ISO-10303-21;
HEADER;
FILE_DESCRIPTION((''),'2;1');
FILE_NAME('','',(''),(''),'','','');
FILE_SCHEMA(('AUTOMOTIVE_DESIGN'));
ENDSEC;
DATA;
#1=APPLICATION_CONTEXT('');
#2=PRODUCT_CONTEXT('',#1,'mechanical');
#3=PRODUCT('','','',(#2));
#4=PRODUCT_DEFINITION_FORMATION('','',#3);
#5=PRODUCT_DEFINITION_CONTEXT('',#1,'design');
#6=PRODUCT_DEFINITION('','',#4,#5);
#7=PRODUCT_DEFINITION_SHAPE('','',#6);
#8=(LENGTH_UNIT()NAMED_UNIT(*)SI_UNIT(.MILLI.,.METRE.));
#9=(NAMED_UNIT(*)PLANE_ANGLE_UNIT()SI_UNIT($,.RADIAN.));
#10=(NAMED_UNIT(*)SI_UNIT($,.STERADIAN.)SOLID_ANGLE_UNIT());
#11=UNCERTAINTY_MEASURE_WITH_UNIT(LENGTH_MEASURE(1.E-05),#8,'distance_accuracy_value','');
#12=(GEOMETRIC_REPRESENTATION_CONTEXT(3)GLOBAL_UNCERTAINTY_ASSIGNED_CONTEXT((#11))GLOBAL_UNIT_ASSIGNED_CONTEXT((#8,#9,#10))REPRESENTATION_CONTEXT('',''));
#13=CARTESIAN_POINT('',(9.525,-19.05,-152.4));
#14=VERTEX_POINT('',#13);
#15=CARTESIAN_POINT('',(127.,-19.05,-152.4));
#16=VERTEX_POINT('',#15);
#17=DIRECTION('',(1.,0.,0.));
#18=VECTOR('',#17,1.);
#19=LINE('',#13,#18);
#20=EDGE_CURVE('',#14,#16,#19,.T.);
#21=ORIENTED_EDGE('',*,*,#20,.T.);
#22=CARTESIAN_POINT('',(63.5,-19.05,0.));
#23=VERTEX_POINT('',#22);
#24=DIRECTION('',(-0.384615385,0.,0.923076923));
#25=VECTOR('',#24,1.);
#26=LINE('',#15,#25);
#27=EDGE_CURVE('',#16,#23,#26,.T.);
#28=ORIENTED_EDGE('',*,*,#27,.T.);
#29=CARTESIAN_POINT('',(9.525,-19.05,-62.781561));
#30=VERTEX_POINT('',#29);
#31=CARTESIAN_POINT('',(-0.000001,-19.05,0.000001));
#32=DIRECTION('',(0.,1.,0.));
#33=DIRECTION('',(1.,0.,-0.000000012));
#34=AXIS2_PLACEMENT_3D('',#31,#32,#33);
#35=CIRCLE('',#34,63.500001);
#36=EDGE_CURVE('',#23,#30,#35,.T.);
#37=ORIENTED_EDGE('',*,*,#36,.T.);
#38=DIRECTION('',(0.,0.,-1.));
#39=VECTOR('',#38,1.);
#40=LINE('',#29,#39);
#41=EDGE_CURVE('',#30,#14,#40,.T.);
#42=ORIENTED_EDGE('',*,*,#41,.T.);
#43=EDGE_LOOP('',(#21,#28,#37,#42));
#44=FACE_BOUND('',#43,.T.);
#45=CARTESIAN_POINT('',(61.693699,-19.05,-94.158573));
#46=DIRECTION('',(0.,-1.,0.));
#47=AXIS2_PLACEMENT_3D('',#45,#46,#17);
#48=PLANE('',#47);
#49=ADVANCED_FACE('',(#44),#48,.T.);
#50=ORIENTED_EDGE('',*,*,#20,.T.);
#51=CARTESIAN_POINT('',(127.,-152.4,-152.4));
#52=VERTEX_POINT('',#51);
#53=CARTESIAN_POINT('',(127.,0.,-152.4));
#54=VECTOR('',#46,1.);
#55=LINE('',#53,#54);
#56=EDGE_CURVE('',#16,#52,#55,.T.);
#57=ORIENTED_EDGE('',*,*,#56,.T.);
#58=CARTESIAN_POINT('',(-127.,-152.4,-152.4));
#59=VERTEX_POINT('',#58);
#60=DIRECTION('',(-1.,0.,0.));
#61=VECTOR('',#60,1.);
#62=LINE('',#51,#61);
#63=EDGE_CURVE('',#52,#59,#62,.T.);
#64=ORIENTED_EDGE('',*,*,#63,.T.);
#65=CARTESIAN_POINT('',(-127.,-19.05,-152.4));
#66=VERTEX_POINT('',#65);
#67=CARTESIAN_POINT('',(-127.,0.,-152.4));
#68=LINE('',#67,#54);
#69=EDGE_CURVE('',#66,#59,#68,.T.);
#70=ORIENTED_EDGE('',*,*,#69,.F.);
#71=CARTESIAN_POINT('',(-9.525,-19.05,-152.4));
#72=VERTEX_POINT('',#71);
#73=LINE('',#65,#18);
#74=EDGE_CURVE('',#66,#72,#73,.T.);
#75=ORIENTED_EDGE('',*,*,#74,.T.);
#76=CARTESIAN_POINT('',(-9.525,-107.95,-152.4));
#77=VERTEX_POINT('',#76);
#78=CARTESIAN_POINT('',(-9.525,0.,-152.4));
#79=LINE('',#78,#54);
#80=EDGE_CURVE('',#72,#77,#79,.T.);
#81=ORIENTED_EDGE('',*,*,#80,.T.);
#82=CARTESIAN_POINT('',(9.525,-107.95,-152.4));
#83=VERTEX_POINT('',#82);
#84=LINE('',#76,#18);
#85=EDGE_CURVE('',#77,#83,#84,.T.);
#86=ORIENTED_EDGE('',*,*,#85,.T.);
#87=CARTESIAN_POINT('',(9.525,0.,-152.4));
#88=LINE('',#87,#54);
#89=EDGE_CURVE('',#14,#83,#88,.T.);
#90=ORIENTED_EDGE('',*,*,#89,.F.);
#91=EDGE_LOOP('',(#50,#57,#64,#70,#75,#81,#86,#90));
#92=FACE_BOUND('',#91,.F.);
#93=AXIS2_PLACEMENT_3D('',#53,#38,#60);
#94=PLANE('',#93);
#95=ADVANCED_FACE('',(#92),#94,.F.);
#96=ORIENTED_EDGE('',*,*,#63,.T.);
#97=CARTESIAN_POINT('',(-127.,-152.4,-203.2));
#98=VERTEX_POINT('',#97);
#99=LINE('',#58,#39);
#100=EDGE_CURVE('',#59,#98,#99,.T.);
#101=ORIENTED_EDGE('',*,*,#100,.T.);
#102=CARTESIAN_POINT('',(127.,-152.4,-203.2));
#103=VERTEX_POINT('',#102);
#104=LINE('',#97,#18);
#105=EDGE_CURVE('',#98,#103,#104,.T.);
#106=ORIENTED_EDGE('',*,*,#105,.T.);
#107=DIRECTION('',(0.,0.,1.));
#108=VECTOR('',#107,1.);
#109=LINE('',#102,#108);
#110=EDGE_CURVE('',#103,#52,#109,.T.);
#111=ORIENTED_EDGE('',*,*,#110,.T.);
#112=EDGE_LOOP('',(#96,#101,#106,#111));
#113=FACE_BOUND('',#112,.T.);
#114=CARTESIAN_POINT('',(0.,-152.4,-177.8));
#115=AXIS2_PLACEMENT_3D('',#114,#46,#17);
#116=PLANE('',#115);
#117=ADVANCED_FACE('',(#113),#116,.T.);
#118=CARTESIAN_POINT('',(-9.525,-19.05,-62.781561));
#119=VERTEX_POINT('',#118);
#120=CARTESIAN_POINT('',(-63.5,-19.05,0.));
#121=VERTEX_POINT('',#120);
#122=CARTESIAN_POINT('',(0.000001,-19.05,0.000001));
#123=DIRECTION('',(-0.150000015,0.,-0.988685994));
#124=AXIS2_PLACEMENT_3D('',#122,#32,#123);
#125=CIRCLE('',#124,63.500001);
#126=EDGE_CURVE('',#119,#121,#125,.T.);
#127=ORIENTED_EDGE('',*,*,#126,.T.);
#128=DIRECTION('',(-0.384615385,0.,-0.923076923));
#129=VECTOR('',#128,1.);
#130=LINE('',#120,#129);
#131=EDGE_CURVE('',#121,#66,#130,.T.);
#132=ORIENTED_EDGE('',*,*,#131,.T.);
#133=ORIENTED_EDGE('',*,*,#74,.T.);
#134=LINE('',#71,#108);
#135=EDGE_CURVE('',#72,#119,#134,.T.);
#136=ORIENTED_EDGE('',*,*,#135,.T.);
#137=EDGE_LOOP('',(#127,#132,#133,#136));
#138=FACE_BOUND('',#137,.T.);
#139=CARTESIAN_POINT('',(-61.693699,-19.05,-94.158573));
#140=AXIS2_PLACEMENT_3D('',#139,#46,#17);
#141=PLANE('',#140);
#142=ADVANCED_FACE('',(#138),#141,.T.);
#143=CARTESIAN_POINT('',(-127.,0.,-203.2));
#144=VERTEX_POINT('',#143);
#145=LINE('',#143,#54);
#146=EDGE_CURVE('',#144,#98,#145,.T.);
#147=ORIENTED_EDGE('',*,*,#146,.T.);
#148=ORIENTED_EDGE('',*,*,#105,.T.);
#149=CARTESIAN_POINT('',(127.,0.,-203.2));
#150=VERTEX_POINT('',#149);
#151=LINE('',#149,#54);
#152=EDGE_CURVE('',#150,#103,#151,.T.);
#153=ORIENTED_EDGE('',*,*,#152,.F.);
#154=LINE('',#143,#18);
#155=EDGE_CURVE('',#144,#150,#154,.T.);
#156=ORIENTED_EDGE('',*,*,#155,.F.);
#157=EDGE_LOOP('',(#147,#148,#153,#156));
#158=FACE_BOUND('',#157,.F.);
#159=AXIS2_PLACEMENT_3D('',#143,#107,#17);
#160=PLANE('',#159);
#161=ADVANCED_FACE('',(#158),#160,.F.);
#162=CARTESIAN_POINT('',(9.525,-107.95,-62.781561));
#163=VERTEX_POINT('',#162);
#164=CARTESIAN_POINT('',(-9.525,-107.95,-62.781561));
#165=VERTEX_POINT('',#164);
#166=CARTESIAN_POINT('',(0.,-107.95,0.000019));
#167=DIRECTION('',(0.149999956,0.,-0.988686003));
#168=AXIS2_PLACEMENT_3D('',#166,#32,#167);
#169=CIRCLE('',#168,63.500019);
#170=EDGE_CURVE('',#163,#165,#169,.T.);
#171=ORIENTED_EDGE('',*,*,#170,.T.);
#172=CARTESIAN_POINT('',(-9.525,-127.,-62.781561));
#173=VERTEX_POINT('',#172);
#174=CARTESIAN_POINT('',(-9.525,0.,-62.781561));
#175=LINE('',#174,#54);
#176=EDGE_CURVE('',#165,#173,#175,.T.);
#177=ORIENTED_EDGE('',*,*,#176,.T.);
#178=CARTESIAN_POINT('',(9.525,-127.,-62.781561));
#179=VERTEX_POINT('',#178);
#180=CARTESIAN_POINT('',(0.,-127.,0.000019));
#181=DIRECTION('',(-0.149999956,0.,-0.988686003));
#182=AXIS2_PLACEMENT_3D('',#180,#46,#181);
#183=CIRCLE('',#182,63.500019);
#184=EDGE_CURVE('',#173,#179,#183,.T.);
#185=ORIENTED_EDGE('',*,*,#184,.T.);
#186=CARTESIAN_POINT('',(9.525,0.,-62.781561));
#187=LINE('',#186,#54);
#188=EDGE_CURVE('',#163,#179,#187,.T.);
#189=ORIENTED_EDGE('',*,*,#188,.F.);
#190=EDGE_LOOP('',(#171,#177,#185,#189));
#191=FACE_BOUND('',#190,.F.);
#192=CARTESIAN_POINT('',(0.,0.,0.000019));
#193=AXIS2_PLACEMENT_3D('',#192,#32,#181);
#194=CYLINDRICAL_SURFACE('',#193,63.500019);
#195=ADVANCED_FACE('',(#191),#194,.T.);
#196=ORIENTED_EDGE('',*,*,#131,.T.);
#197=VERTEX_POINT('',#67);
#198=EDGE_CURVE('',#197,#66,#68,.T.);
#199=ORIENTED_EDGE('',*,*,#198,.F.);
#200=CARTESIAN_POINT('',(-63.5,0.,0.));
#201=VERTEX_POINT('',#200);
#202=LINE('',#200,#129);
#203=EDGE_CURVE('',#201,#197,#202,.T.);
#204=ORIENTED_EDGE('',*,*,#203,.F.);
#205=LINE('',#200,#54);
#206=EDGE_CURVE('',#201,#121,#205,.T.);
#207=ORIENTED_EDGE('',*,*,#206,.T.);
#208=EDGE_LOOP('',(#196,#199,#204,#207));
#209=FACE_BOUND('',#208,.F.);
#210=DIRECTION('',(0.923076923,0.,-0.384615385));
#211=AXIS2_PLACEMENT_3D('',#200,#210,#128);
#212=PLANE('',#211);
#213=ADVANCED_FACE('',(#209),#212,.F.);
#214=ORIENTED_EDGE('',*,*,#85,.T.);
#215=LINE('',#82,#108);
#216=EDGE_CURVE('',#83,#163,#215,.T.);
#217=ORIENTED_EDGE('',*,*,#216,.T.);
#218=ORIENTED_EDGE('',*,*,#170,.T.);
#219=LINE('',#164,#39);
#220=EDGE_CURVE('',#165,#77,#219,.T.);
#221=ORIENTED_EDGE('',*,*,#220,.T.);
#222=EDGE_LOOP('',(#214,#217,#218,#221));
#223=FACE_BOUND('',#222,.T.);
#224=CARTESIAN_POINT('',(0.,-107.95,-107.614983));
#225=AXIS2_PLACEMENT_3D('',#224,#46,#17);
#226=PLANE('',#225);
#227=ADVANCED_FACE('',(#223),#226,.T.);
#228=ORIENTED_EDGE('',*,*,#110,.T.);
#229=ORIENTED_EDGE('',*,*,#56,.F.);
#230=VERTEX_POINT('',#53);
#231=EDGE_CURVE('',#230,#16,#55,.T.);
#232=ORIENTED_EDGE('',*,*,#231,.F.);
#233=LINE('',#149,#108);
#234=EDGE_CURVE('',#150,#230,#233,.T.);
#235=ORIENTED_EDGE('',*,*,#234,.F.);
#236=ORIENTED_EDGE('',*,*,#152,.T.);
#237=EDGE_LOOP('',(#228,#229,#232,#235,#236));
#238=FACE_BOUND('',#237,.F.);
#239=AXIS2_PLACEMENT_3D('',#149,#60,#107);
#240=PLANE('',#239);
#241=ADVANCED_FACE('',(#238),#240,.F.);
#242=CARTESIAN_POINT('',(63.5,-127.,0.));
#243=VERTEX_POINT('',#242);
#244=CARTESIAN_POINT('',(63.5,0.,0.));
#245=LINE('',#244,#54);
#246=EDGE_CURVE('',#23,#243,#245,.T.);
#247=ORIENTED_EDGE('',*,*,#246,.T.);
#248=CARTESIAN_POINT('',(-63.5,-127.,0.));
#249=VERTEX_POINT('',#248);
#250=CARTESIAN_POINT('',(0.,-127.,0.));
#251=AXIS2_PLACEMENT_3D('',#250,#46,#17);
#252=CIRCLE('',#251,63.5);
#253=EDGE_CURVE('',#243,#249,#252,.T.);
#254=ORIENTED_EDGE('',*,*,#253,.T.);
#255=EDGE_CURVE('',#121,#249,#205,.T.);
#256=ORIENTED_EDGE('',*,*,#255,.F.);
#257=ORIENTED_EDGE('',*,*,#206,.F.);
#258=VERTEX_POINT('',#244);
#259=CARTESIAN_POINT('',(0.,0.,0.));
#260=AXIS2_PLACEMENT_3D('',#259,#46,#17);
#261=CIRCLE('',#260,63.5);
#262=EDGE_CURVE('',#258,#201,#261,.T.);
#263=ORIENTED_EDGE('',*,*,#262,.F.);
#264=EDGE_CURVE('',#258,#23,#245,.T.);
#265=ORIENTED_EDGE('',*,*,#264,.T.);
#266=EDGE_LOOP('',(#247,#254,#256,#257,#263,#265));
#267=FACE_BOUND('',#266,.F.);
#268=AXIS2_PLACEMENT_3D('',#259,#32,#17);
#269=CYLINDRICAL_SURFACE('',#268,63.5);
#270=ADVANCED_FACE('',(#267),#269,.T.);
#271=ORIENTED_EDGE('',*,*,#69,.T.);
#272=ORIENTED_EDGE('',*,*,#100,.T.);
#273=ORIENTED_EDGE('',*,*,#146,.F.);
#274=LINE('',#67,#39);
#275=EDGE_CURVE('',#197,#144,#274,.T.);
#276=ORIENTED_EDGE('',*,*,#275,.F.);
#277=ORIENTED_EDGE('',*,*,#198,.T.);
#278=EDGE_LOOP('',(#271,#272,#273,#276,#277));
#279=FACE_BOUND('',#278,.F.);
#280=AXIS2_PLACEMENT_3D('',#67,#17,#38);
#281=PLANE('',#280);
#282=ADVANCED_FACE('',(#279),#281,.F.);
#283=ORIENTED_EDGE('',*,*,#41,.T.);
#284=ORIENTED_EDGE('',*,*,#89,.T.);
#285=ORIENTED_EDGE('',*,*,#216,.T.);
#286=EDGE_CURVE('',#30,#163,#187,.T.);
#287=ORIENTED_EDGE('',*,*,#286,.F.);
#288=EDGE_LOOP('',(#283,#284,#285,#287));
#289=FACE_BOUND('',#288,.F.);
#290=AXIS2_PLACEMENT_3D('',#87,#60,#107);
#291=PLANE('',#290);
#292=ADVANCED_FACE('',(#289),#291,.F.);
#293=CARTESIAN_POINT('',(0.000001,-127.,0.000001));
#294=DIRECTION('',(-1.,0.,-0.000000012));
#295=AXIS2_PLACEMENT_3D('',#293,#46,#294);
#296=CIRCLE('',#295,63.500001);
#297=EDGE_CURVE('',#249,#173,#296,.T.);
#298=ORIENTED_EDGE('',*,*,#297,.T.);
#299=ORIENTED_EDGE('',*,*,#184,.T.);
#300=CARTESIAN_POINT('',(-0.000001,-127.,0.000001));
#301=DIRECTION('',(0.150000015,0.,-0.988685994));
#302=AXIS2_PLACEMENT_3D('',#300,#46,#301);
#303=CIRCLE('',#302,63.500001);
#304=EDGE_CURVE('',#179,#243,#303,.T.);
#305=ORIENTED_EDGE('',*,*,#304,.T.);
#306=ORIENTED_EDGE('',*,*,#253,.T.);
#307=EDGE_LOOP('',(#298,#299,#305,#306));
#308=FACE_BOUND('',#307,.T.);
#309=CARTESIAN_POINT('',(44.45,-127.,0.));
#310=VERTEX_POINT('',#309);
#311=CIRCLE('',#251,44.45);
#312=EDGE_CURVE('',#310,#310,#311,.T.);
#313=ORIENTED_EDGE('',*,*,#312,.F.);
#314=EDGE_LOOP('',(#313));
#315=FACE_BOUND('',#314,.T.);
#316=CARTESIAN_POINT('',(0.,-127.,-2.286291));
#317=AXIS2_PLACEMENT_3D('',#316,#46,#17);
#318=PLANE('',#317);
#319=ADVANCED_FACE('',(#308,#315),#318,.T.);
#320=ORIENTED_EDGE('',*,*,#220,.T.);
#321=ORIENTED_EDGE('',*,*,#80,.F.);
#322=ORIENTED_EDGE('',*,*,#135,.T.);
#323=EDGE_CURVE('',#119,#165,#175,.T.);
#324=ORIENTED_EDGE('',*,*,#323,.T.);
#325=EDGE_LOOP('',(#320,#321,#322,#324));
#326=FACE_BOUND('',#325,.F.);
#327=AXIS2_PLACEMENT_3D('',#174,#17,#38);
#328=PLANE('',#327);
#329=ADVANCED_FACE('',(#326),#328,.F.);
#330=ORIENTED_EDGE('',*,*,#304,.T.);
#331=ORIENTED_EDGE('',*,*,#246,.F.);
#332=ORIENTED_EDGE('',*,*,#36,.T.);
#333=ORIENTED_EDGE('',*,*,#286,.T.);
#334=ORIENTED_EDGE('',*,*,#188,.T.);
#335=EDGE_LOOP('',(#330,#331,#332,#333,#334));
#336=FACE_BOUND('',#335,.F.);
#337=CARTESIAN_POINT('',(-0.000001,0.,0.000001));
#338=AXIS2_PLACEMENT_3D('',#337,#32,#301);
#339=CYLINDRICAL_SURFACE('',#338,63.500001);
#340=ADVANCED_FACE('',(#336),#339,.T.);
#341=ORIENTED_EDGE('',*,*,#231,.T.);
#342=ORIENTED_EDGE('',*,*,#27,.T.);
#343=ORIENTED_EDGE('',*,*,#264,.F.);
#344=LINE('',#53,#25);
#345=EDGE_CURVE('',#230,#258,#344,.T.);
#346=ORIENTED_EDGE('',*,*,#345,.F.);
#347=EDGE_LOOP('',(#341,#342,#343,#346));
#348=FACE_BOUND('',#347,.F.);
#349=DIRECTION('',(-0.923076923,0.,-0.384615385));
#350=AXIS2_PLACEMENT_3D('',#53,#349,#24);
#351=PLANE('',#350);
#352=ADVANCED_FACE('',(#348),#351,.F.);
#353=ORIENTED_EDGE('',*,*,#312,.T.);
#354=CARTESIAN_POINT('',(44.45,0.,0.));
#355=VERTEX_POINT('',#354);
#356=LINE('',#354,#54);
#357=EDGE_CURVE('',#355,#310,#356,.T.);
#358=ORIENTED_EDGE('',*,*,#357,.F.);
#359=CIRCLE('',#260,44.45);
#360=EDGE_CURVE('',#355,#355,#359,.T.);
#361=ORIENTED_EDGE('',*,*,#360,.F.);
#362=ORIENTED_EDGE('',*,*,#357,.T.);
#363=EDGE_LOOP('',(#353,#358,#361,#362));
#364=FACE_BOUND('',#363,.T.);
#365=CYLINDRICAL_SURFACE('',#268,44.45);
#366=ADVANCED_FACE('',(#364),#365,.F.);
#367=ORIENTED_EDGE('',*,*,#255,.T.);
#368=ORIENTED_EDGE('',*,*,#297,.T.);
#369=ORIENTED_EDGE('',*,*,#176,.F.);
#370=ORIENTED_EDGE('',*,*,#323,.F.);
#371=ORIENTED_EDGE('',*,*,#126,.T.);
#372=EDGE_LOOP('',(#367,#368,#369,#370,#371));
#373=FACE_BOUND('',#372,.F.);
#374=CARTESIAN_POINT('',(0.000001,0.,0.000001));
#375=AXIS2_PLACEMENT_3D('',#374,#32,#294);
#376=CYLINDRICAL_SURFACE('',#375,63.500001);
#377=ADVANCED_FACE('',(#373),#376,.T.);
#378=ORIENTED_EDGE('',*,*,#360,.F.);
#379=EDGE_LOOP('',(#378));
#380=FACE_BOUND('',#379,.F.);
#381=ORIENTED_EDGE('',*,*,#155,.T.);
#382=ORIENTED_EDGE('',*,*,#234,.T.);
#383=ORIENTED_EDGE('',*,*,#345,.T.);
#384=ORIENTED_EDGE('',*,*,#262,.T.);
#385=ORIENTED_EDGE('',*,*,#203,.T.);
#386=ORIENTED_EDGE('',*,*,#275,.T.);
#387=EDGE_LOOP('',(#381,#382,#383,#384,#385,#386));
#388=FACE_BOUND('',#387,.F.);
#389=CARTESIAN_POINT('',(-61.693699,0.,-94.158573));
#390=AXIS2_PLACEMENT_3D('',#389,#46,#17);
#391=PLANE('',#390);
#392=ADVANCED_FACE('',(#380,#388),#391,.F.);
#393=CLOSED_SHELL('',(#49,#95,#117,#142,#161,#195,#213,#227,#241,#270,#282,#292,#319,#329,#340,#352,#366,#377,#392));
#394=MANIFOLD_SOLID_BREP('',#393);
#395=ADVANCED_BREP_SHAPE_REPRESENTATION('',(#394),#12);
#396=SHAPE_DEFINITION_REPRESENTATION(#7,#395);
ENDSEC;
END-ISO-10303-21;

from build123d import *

# Parameters (mm, degrees)
F1_DEPTH = 152.4
F2_DEPTH = 107.95
F0_R     = 44.45
F3_DEPTH = 127
F4_DEPTH = 19.05


with BuildPart() as f1:
    # F0 (on Front) → F1 (new body)
    with BuildSketch(Plane.XZ):
        Polygon((127, -203.2), (127, -152.4), (9.525, -152.4), (-9.525, -152.4), (-127, -152.4), (-127, -203.2), align=None)
    extrude(amount=F1_DEPTH)

    # F0 (on Front) → F2 (join)
    with BuildSketch(Plane.XZ):
        with BuildLine():
            Line((9.525, -152.4), (9.525, -62.781561))
            ThreePointArc((9.525, -62.781561), (0, -63.5), (-9.525, -62.781561))
            Line((-9.525, -62.781561), (-9.525, -152.4))
            Line((-9.525, -152.4), (9.525, -152.4))
        make_face()
    extrude(amount=F2_DEPTH)

    # F0 (on Front) → F3 (join)
    with BuildSketch(Plane.XZ):
        with BuildLine():
            ThreePointArc((9.525, -62.781561), (48.151259, -41.396935), (63.5, 0))
            ThreePointArc((63.5, 0), (0, 63.5), (-63.5, 0))
            ThreePointArc((-63.5, 0), (-48.151259, -41.396935), (-9.525, -62.781561))
            ThreePointArc((-9.525, -62.781561), (0, -63.5), (9.525, -62.781561))
        make_face()
        Circle(F0_R, mode=Mode.SUBTRACT)
    extrude(amount=F3_DEPTH)

    # F0 (on Front) → F4 (join)
    with BuildSketch(Plane.XZ):
        with BuildLine():
            ThreePointArc((-9.525, -62.781561), (-48.151259, -41.396935), (-63.5, 0))
            Line((-63.5, 0), (-127, -152.4))
            Line((-127, -152.4), (-9.525, -152.4))
            Line((-9.525, -152.4), (-9.525, -62.781561))
        make_face()
        with BuildLine():
            Line((127, -152.4), (63.5, 0))
            ThreePointArc((63.5, 0), (48.151259, -41.396935), (9.525, -62.781561))
            Line((9.525, -62.781561), (9.525, -152.4))
            Line((9.525, -152.4), (127, -152.4))
        make_face()
    extrude(amount=F4_DEPTH)


solid = f1.part
